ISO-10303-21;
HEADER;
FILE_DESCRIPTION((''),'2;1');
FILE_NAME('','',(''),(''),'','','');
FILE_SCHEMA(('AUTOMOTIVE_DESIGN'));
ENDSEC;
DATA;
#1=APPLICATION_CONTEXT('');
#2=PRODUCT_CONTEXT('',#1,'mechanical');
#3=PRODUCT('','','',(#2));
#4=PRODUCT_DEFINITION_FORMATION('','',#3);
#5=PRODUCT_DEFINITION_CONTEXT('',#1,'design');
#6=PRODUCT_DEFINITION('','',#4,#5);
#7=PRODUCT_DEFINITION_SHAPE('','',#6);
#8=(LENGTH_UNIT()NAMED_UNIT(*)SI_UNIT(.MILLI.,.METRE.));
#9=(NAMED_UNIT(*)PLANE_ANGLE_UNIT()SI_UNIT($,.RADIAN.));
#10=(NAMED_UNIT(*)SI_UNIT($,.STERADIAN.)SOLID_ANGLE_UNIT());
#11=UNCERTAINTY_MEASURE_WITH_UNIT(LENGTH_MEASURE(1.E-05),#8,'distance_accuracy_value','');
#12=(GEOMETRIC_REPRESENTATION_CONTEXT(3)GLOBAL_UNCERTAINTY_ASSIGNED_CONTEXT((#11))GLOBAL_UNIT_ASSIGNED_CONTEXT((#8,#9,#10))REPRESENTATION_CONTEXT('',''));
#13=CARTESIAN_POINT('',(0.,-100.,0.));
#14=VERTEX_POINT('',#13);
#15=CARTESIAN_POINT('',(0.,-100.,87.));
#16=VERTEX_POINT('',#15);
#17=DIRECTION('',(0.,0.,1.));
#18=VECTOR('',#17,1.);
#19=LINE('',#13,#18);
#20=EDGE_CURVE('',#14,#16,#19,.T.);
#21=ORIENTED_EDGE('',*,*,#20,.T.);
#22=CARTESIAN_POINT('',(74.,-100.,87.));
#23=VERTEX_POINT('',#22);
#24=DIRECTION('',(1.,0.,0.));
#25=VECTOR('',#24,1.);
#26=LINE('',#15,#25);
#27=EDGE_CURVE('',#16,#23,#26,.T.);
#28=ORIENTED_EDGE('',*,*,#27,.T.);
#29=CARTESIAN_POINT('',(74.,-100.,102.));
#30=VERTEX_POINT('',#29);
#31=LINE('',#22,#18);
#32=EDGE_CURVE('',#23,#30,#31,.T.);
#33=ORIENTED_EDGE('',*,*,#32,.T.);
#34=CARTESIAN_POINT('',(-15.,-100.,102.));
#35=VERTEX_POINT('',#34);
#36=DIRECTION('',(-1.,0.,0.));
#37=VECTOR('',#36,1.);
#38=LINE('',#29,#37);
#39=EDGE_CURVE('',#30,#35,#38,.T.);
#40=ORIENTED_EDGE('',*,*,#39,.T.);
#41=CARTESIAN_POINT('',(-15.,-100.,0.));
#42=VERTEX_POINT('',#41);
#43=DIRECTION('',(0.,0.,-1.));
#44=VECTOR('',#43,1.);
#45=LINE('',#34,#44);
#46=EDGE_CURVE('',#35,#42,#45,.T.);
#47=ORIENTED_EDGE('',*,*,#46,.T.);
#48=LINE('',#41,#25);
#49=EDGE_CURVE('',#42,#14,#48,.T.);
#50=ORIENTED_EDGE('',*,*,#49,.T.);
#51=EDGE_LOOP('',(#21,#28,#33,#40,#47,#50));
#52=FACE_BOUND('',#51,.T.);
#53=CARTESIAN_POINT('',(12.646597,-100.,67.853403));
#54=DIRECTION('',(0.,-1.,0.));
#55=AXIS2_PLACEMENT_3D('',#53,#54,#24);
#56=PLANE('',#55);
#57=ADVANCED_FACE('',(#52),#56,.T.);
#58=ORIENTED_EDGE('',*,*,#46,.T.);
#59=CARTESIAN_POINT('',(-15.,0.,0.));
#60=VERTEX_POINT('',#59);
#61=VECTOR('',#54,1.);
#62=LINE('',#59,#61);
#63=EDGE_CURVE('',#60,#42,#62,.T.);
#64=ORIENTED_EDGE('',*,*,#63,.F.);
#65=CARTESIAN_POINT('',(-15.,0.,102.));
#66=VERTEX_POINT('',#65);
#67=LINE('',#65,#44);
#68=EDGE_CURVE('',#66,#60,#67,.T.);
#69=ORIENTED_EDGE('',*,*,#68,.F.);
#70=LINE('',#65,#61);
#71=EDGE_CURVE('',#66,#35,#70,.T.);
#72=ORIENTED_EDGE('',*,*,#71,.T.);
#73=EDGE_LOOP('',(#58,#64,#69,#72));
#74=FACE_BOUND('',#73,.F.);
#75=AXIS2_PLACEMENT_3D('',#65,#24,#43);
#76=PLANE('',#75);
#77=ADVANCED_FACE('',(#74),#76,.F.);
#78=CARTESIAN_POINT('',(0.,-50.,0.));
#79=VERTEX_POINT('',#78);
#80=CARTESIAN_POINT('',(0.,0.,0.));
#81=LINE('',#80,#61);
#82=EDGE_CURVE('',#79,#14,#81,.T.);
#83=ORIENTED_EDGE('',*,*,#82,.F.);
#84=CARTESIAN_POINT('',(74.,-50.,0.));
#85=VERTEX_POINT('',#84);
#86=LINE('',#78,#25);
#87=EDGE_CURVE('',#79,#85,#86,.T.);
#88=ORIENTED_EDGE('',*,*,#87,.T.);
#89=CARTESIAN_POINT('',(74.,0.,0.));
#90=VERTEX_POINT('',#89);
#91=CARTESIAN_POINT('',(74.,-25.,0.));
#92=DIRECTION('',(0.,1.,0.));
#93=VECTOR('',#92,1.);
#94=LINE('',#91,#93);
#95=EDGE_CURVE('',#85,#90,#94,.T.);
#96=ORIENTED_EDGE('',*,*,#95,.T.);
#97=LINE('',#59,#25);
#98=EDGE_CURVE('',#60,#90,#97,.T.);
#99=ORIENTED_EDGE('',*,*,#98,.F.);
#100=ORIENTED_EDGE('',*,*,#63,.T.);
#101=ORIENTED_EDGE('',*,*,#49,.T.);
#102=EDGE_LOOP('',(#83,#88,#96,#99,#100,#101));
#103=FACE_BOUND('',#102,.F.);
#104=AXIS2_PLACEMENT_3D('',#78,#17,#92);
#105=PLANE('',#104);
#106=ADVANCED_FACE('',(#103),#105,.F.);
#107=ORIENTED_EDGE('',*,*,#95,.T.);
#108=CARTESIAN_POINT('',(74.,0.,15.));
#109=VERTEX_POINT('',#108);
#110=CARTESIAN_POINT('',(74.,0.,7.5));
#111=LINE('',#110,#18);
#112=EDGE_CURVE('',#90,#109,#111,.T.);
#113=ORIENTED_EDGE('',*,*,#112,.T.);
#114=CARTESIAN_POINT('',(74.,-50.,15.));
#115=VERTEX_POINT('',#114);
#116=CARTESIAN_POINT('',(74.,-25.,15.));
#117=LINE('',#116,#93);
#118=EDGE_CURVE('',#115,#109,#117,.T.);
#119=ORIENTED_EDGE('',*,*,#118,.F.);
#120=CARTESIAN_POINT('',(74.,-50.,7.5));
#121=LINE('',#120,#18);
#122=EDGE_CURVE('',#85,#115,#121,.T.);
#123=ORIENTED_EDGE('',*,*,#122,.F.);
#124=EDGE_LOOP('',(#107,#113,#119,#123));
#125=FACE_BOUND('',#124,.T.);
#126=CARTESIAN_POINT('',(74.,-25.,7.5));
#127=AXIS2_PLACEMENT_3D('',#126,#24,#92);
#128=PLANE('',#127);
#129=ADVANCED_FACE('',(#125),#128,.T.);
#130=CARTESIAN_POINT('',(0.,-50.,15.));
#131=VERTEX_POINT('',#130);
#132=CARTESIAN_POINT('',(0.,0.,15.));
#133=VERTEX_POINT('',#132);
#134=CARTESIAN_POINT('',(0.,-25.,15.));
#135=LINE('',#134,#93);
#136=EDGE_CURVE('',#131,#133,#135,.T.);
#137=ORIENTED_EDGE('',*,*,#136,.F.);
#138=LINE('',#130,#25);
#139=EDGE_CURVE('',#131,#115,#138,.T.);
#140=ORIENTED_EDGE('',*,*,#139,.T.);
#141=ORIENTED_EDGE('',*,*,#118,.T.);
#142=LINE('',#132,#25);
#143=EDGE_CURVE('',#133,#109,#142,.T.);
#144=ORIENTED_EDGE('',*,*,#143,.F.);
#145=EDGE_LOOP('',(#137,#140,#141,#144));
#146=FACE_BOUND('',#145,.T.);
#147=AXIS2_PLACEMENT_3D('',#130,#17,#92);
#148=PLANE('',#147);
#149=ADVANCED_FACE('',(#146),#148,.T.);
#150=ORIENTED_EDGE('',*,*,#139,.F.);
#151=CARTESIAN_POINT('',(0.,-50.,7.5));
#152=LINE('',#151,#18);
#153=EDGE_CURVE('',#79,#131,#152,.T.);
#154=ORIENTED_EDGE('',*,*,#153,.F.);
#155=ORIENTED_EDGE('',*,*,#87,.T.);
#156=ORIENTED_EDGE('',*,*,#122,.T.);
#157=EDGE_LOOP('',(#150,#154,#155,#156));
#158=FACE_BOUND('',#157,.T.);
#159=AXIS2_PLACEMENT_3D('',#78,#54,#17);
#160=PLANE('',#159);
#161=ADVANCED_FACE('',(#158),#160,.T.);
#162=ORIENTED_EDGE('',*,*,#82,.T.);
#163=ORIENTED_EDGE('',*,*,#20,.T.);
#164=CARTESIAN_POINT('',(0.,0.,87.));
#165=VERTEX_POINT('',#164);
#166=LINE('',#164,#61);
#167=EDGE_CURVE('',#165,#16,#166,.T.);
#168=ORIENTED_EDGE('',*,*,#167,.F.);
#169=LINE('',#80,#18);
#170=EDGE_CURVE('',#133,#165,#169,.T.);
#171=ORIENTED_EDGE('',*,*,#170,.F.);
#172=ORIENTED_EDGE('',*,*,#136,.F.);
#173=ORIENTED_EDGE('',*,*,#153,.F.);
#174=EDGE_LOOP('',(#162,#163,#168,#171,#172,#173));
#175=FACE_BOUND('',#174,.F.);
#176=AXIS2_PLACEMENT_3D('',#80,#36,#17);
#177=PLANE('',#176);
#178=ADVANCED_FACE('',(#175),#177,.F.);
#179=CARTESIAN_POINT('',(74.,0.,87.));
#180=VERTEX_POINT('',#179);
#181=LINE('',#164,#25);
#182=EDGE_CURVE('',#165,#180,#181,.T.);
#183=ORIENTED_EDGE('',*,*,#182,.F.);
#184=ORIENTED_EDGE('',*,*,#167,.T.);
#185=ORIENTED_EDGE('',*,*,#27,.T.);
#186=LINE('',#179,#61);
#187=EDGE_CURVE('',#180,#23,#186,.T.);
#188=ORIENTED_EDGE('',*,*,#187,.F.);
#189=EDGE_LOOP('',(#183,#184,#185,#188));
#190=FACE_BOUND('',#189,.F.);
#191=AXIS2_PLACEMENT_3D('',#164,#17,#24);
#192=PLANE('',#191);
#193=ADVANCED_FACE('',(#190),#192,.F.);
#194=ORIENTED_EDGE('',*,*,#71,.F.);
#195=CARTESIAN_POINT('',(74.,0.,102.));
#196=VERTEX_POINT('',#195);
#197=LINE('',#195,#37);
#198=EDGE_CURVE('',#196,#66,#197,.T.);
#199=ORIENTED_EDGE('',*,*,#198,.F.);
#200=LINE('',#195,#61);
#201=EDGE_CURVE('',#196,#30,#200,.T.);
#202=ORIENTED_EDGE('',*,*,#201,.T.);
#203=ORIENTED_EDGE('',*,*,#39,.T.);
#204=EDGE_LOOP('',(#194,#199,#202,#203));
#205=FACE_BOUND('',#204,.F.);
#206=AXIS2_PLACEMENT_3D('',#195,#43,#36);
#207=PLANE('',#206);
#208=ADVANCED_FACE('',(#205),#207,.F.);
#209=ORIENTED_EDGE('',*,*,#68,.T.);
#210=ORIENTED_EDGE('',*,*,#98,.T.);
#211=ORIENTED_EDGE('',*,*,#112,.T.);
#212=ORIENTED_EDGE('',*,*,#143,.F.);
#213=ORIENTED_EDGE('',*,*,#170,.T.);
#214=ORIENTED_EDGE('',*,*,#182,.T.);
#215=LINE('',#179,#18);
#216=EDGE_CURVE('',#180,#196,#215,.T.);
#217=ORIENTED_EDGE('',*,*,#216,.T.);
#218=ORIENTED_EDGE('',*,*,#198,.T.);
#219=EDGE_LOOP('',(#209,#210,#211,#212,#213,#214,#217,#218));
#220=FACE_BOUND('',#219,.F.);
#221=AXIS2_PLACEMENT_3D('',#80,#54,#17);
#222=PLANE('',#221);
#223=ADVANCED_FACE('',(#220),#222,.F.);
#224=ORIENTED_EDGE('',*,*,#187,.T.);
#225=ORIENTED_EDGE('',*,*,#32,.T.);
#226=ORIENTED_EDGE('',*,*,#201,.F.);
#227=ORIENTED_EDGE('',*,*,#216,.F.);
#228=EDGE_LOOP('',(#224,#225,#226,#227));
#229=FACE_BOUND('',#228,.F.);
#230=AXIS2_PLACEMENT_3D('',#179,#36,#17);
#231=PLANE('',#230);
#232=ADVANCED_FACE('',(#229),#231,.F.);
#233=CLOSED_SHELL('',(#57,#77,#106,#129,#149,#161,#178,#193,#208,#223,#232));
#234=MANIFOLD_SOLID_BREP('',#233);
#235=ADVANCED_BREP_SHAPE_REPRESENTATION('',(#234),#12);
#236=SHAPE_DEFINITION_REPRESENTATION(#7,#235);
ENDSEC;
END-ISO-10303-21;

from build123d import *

# Parameters (mm, degrees)
F1_DEPTH = 100
F2_W     = 50
F2_H     = 15
F3_DEPTH = 74


with BuildPart() as f1:
    # F0 (on Front) → F1 (new body)
    with BuildSketch(Plane.XZ):
        Polygon((-15, 0), (0, 0), (0, 87), (74, 87), (74, 102), (-15, 102), align=None)
    extrude(amount=F1_DEPTH)

    # F2 (on face) → F3 (join)
    with BuildSketch(Plane.YZ):
        with Locations((-25, 7.5)):
            Rectangle(F2_W, F2_H)
    extrude(amount=F3_DEPTH)


solid = f1.part
